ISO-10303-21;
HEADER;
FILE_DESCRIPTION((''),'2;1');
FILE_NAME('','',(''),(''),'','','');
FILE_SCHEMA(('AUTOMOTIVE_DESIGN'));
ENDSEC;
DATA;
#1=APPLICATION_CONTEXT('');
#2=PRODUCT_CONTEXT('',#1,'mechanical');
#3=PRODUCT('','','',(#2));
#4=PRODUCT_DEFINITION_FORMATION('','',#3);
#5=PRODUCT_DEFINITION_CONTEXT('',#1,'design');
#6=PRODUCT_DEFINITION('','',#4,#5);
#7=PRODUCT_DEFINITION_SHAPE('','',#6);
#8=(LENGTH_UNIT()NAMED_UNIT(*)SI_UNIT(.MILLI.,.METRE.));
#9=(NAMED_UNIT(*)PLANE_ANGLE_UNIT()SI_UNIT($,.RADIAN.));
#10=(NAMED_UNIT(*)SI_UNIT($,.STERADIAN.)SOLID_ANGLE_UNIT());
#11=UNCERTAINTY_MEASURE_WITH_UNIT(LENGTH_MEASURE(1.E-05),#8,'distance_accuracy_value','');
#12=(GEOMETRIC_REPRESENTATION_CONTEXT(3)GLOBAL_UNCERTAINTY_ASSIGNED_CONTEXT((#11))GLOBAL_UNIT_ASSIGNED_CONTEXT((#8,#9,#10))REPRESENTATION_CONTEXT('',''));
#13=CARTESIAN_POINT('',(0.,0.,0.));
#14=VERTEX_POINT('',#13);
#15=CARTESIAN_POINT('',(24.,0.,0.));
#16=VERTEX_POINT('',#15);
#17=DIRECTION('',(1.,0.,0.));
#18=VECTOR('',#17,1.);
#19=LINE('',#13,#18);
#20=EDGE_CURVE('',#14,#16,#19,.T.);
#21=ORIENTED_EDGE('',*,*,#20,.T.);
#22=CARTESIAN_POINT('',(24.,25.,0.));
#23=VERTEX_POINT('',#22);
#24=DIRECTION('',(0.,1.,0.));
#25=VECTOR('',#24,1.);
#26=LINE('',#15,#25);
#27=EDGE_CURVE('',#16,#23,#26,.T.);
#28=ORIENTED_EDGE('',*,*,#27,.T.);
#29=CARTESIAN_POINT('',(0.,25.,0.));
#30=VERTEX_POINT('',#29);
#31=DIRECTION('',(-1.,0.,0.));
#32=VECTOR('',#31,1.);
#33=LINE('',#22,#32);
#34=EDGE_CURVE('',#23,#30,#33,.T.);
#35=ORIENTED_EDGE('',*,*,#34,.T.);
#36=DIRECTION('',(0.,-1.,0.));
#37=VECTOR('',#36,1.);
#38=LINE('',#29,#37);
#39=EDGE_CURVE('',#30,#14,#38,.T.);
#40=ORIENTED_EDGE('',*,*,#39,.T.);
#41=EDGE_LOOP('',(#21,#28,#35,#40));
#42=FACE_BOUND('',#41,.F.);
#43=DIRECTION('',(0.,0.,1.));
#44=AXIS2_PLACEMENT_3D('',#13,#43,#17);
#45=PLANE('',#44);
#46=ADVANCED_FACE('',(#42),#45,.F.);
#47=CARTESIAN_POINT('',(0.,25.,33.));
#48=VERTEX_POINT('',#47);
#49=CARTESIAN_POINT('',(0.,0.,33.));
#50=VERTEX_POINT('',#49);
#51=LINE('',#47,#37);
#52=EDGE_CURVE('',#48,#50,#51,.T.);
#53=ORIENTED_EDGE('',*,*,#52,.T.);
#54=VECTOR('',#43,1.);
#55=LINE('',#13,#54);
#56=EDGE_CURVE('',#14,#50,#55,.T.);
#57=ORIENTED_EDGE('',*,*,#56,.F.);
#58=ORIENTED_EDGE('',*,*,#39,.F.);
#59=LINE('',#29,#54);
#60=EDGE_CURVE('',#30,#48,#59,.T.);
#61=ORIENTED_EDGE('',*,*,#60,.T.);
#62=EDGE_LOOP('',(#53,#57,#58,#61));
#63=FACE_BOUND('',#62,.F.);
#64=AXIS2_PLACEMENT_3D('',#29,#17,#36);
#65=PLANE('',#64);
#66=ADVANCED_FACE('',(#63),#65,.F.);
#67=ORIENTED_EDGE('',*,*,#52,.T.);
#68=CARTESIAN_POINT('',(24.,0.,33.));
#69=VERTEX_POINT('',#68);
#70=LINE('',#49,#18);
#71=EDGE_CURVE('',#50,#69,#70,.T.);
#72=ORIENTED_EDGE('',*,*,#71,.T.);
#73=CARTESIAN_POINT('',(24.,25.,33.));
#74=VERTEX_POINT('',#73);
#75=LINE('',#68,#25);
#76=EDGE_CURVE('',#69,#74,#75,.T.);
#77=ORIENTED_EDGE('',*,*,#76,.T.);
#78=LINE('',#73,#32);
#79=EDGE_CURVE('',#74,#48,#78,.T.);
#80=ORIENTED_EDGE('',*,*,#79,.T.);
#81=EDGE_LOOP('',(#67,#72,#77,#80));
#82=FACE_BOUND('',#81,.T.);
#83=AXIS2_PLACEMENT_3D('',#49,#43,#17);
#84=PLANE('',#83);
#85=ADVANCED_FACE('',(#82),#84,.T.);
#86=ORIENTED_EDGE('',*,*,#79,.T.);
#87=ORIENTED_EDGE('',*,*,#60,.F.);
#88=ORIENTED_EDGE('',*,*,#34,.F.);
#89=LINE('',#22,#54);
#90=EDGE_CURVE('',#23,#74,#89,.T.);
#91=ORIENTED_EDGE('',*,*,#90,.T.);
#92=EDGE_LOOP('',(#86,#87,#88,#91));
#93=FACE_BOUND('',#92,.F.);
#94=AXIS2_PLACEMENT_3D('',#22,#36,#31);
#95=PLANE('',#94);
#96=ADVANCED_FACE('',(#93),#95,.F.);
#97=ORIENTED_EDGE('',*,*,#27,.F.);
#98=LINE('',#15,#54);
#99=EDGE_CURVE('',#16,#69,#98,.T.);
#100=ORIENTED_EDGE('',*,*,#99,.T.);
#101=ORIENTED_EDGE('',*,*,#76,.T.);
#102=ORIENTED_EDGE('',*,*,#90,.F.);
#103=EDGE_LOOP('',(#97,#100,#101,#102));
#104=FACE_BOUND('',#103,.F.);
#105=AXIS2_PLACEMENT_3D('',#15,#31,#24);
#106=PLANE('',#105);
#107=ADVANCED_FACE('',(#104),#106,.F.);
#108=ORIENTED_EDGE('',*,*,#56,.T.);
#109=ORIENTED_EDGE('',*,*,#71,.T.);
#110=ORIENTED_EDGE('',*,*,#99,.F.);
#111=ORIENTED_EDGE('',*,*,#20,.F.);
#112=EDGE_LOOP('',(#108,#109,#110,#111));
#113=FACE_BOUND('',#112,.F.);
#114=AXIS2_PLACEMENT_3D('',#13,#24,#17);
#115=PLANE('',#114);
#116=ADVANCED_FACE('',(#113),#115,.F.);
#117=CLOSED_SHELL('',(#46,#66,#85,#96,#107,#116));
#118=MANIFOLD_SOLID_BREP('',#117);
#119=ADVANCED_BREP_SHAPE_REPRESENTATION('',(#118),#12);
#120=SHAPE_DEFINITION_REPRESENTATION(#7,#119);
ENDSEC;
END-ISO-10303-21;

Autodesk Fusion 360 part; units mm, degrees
sketch "Sketch2" plane through (0, 0, 0) normal (0, 0, 1) x (1, 0, 0)
  line L0 (0, 0) -> (24, 0)
  line L1 (24, 0) -> (24, 25)
  line L2 (24, 25) -> (0, 25)
  line L3 (0, 25) -> (0, 0)
extrude "Extrude1" add sketch "Sketch2" along normal blind 33
equation "y = 25.00 mm"
equation "z = 33 mm"
equation "x = 24 mm"
